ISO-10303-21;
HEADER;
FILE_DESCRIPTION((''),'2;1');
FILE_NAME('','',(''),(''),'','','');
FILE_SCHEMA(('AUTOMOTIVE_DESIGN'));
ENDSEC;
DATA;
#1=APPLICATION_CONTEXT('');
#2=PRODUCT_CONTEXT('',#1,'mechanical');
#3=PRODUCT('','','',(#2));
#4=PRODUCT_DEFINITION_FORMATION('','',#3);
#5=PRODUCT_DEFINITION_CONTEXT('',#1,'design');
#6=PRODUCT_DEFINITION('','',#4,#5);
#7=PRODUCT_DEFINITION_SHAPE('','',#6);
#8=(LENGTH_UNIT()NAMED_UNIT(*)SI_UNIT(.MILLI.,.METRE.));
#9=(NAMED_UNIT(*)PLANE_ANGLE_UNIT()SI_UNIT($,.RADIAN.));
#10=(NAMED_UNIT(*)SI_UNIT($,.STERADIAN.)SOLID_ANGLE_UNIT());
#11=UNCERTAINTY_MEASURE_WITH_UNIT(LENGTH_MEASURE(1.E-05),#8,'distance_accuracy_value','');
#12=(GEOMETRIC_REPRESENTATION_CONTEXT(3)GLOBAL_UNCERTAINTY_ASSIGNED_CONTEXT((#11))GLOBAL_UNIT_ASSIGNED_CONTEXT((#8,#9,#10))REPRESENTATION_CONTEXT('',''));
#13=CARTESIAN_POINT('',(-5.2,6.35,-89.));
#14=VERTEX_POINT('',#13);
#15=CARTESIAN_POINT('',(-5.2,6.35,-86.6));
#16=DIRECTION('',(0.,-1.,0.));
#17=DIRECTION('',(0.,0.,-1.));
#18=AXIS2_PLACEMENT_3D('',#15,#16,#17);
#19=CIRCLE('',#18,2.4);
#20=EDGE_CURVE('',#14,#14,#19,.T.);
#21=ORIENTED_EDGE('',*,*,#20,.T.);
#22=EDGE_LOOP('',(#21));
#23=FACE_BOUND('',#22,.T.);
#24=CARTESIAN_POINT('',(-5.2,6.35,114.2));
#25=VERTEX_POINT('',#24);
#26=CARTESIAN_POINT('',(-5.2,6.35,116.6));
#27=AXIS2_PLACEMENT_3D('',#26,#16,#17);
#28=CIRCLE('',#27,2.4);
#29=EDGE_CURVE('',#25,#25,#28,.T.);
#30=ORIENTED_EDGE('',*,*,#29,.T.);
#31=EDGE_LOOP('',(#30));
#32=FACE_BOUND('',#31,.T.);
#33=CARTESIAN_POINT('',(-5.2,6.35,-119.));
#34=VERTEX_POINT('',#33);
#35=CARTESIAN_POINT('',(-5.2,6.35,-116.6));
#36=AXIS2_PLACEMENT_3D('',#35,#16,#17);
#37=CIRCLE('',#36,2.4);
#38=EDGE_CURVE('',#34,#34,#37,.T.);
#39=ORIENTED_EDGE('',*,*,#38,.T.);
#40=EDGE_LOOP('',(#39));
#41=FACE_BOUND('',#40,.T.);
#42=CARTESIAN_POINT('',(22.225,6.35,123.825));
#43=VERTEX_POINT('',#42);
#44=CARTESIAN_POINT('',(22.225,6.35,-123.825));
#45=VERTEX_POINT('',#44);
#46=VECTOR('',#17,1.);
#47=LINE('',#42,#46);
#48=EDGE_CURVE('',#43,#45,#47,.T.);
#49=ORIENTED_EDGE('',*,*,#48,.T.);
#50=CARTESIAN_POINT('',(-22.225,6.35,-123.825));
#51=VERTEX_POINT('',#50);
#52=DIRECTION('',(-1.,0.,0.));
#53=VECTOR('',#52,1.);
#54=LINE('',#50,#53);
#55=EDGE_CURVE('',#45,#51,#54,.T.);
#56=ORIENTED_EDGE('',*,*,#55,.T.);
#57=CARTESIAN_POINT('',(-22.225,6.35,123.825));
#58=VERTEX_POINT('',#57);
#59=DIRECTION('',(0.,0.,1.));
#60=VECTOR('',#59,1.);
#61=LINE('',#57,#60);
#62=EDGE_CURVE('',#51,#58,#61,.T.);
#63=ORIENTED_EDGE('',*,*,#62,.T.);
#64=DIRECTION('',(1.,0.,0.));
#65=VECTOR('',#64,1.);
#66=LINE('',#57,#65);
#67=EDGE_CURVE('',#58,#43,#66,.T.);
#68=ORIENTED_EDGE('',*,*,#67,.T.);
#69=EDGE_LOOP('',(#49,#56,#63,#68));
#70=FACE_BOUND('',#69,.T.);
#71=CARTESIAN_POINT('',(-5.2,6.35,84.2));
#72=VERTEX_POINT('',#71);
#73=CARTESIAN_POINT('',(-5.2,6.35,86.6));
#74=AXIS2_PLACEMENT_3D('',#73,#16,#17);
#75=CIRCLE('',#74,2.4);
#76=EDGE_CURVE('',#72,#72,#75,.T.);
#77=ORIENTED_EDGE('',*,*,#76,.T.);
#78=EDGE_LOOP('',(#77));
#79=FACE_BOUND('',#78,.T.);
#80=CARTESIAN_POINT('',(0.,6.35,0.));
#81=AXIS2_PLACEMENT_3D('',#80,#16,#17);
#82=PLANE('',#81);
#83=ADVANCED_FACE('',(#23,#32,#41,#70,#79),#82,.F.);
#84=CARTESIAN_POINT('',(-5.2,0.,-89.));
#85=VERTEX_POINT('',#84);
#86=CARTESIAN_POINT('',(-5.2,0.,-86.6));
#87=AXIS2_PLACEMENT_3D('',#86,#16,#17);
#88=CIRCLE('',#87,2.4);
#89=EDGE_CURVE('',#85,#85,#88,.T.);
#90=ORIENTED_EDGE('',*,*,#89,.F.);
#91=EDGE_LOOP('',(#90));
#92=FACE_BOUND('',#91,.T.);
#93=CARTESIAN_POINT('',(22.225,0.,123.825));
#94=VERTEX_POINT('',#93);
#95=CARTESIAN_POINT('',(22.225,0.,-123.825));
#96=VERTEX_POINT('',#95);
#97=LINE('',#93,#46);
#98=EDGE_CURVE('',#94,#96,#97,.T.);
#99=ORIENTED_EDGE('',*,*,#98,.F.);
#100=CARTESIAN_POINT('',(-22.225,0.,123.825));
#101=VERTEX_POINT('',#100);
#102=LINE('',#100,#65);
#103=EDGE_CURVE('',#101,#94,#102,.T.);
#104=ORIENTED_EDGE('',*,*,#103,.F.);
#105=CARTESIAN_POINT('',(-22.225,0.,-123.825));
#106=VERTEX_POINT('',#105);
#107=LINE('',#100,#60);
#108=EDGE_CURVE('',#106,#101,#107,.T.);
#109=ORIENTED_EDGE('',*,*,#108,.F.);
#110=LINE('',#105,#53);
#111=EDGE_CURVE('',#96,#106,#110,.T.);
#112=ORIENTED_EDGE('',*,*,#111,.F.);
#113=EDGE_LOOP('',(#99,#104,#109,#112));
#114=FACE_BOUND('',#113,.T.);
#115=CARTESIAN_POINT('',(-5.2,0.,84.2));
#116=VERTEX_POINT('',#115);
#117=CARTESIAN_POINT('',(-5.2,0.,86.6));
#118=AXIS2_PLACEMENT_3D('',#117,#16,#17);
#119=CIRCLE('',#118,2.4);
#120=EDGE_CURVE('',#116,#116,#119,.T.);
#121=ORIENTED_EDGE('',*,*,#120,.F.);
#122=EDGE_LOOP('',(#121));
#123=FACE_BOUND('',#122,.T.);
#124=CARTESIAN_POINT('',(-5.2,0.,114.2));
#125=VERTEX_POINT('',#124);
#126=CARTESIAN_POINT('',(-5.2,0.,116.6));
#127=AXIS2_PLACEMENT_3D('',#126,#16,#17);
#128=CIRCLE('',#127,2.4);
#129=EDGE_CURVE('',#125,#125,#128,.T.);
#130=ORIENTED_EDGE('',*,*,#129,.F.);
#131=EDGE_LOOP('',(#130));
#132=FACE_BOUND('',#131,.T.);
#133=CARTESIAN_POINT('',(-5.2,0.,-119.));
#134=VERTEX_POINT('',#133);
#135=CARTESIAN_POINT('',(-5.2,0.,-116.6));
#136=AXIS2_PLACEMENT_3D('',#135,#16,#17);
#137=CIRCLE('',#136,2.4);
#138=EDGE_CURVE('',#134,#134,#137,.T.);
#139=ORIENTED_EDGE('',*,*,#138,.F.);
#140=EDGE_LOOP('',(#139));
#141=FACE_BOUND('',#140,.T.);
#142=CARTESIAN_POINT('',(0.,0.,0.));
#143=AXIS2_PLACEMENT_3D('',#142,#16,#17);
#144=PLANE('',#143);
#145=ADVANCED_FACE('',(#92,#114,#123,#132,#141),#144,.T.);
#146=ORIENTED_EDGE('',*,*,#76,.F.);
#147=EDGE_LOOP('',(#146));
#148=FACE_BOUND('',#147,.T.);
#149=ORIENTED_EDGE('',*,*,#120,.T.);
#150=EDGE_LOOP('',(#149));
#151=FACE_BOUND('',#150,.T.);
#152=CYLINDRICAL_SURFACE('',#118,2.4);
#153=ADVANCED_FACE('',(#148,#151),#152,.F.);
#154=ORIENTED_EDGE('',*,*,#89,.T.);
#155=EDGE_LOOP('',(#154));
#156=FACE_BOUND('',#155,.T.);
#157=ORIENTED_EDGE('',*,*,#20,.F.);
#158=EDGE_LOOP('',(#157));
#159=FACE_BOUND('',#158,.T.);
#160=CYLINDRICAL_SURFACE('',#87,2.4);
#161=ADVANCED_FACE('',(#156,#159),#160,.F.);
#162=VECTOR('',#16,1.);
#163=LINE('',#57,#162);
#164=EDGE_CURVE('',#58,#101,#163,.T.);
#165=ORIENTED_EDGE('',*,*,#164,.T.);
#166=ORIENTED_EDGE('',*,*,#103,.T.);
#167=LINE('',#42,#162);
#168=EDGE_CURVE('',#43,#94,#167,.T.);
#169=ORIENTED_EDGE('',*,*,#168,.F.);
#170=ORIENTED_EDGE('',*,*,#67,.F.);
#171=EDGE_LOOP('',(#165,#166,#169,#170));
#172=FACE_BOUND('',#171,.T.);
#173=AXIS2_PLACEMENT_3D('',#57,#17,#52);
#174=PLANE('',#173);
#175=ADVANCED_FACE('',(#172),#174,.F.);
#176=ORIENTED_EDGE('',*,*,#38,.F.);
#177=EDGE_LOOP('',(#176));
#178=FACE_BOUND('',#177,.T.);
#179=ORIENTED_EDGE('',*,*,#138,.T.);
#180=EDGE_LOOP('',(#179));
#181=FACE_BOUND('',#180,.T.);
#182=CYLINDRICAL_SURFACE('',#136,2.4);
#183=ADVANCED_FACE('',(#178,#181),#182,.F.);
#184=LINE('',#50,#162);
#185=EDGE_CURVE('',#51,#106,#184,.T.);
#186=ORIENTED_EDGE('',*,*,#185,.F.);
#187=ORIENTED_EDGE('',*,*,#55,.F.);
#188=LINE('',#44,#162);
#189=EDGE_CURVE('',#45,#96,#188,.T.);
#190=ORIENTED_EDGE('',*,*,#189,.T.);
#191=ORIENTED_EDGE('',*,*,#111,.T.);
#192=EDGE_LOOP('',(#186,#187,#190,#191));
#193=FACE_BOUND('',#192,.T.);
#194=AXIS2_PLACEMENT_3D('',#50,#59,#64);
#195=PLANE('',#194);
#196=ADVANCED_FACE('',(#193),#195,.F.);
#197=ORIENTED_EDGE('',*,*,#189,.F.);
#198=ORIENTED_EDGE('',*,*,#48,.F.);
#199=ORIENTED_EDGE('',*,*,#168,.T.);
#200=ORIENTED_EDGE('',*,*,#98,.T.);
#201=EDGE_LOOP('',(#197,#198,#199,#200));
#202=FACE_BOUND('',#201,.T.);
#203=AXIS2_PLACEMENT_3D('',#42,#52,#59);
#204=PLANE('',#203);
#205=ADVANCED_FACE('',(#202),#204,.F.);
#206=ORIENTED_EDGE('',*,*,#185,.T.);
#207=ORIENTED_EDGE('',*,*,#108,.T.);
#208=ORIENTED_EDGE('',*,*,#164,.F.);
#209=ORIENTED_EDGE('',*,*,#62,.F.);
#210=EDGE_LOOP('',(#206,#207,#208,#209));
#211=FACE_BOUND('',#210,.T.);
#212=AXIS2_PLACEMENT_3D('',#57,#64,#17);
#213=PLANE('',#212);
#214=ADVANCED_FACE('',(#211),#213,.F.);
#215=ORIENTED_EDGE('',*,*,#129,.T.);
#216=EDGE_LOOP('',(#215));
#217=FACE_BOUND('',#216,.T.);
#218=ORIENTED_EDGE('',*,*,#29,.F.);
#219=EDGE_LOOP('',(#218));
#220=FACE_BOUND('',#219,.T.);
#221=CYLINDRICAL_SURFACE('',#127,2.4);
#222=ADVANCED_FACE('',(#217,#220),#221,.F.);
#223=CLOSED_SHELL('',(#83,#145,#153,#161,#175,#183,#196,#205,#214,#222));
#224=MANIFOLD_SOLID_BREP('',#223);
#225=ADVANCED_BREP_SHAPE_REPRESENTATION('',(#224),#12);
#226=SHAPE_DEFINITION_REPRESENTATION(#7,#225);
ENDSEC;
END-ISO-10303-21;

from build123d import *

# Parameters (mm, degrees)
SKETCH1_W            = 44.45
SKETCH1_H            = 247.65
BOSS_EXTRUDE1_DEPTH  = 6.35
M4_CLEARANCE_HOLE1_D = 4.8


with BuildPart() as part:
    # Sketch1 → Boss-Extrude1 (new body)
    with BuildSketch(Plane(origin=(0, 0, 0), x_dir=(1, 0, 0), z_dir=(0, 1, 0))):
        Rectangle(SKETCH1_W, SKETCH1_H)
    extrude(amount=BOSS_EXTRUDE1_DEPTH)

    # M4 Clearance Hole1 (through all)
    with Locations(Plane(origin=(0, 0, 0), x_dir=(-1, 0, 0), z_dir=(0, -1, 0))):
        with Locations((37.2, -116.6), (5.2, -116.6), (5.2, -86.6), (37.2, -86.6), (37.2, 86.6), (37.2, 116.6), (5.2, 116.6), (5.2, 86.6)):
            Hole(M4_CLEARANCE_HOLE1_D / 2)


solid = part.part
